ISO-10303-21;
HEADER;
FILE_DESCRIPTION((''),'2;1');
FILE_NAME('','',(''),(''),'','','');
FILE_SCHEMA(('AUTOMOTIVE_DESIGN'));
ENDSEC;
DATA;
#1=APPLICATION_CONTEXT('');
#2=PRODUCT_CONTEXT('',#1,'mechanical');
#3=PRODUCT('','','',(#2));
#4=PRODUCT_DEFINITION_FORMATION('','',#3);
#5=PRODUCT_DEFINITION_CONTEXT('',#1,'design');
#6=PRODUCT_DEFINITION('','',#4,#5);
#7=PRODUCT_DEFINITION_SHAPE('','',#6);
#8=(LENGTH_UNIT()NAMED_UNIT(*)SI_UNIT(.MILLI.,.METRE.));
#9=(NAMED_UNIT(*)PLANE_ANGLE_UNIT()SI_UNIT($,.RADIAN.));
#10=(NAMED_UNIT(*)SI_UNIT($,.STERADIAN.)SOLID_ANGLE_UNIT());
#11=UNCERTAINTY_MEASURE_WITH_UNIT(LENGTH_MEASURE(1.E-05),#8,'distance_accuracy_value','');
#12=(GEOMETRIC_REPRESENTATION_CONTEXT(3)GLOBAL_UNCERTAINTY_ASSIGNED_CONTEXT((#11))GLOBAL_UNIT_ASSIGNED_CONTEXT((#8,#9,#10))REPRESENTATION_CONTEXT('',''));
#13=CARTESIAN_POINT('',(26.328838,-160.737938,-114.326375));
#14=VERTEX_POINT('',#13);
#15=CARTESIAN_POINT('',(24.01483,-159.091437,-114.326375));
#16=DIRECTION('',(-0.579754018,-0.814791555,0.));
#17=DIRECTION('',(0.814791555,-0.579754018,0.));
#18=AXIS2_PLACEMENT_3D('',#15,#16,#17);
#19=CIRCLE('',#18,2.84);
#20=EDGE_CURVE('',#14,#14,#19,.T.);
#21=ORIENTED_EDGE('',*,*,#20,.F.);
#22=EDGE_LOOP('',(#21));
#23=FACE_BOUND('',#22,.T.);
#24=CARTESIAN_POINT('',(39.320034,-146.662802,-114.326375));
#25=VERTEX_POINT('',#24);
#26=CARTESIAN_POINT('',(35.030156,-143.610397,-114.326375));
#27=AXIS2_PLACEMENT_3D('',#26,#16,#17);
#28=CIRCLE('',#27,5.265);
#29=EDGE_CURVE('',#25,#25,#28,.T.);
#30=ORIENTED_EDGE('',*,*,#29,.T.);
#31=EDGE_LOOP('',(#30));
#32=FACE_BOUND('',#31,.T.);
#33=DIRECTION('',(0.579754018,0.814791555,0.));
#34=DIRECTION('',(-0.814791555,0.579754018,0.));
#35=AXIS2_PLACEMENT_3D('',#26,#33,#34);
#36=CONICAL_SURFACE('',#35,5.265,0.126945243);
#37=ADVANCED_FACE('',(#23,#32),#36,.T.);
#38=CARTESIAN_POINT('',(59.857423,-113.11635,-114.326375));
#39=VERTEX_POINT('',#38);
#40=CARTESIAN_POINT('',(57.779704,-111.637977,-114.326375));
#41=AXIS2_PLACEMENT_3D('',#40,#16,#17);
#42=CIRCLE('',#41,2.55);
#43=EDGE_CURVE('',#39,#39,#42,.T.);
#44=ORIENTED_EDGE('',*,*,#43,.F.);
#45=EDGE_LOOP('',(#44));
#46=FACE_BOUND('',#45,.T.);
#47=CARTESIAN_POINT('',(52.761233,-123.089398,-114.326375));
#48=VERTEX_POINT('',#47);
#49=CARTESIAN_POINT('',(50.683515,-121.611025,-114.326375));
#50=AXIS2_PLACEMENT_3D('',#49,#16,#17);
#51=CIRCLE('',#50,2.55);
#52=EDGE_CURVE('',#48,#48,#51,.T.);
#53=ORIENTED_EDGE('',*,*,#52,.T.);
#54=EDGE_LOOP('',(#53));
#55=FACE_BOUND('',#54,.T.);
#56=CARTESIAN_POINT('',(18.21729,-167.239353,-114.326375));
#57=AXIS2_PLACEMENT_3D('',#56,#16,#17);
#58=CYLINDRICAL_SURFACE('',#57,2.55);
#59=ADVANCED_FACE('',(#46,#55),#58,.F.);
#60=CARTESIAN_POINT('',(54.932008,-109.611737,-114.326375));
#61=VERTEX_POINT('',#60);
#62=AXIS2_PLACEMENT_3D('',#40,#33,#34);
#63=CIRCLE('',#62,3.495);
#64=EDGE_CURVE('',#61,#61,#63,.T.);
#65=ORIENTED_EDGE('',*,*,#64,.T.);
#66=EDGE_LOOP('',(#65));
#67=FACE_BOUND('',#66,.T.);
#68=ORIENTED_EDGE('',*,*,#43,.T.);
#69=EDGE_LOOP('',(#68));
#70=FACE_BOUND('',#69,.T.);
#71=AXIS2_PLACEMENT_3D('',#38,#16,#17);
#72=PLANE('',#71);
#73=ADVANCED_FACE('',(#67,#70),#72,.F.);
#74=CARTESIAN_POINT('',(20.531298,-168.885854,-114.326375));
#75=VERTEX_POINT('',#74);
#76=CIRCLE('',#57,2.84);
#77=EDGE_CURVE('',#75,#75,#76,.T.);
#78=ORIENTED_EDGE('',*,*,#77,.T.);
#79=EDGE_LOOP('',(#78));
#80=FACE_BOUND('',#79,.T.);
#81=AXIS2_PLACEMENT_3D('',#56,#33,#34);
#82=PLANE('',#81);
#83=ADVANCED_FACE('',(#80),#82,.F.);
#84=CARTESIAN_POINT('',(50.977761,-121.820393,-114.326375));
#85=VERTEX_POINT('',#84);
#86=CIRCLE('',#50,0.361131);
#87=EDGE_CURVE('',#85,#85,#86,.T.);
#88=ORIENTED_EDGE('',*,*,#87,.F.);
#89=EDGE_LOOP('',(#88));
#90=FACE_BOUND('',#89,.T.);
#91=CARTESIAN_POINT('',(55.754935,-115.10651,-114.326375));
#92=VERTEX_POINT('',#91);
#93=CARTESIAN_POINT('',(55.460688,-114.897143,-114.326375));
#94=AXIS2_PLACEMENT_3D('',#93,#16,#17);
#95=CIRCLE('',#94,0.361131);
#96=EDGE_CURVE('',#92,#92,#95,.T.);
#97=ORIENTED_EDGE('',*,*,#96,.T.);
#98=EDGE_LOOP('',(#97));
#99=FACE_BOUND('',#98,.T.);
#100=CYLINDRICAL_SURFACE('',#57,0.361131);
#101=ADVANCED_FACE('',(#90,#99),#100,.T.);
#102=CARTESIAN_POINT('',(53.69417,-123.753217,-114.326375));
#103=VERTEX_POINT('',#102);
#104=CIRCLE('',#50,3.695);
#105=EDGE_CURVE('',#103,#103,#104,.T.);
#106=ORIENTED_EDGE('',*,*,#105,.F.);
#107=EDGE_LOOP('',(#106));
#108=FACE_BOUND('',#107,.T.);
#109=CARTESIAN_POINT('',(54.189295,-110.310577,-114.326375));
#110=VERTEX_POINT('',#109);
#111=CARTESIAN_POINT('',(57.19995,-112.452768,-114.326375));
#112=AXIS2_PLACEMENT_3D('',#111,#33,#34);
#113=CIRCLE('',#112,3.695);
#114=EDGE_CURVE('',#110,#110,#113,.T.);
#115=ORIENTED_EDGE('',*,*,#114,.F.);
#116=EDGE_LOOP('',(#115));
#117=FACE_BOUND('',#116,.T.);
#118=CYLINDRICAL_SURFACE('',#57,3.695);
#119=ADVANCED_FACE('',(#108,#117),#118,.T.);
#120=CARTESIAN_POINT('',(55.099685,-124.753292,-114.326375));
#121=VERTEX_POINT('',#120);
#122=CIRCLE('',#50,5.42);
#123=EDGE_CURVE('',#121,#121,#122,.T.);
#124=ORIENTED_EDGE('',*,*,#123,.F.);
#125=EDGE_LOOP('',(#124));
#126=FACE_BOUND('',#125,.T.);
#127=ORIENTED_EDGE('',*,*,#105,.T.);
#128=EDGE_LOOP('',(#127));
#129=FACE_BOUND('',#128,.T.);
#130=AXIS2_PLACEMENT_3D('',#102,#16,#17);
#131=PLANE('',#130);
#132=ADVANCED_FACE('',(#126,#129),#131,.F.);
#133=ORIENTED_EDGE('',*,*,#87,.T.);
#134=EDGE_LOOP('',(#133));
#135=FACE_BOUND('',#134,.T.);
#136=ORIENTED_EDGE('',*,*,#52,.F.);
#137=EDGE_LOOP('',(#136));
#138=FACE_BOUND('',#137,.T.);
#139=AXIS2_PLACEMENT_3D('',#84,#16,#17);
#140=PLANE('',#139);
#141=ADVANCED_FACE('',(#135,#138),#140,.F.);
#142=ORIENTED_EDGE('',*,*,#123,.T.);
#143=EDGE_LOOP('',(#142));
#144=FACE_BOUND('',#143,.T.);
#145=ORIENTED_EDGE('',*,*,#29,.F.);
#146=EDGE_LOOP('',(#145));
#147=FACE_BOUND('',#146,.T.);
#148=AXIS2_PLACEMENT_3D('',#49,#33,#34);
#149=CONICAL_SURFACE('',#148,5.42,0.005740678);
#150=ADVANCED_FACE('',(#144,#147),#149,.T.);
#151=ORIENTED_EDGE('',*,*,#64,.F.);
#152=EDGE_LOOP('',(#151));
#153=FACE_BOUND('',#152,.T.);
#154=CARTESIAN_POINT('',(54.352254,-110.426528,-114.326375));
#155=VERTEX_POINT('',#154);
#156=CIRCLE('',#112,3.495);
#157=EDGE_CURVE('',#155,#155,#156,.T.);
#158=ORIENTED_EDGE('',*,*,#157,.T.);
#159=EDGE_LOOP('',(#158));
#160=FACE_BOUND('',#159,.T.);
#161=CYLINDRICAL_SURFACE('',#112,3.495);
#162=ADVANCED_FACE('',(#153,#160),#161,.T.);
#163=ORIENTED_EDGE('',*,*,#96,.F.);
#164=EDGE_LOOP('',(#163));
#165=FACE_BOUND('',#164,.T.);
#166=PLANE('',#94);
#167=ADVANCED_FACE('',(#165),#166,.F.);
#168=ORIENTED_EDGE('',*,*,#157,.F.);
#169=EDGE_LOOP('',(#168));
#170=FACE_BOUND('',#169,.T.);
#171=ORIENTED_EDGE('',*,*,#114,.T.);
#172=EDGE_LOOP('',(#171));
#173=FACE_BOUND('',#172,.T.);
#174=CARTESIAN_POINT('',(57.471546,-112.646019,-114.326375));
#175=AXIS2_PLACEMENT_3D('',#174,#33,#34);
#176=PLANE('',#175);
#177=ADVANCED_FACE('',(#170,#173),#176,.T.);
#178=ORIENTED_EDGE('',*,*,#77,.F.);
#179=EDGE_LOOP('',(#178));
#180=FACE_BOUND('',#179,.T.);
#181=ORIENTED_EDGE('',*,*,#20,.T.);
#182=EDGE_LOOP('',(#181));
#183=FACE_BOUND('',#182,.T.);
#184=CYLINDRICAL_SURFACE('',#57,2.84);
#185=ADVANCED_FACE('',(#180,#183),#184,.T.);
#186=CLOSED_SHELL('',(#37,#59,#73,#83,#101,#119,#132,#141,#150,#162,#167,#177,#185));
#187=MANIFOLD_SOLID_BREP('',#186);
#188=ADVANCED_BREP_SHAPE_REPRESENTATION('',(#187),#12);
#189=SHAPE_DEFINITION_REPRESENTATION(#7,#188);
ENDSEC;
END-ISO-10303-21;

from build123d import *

# Parameters (mm, degrees)
SKETCH2_OUTSIDE_W  = 81.185
SKETCH2_OUTSIDE_H  = 67.044
SKETCH2_OUTSIDE_R  = 3.495
CUT_EXTRUDE1_DEPTH = 1


with BuildPart() as part:
    # Sketch1 → Revolve1 (revolve)
    with BuildSketch(Plane(origin=(96.031948768, 24.259878967, -114.32637478), x_dir=(0.579754018, 0.814791555, 0), z_dir=(0, 0, -1))):
        Polygon((-201.145317806, 47.619722085), (-136.905317806, 47.619722085), (-136.905317806, 47.980853052), (-145.145317806, 47.980853052), (-145.145317806, 50.169722085), (-132.905317806, 50.169722085), (-132.905317806, 51.314722085), (-145.145317806, 51.314722085), (-145.145317806, 53.039722085), (-172.145317806, 52.884722085), (-191.145317806, 50.459722085), (-201.145317806, 50.459722085), align=None)
    revolve(axis=Axis((18.217289915, -167.239352557, -114.32637478), (0.579754018, 0.814791555, 0)))

    # Sketch2 outside → Cut-Extrude1 (cut)
    with BuildSketch(Plane(origin=(-33.314790755, -46.820909057, 0), x_dir=(0.663885278, -0.472378678, -0.579754018), z_dir=(0.579754018, 0.814791555, 0))):
        with Locations((157.4895, 28.254)):
            Rectangle(SKETCH2_OUTSIDE_W, SKETCH2_OUTSIDE_H)
        with Locations((157.375670059, 28.335096914)):
            Circle(SKETCH2_OUTSIDE_R, mode=Mode.SUBTRACT)
    extrude(amount=-CUT_EXTRUDE1_DEPTH, mode=Mode.SUBTRACT)


solid = part.part
